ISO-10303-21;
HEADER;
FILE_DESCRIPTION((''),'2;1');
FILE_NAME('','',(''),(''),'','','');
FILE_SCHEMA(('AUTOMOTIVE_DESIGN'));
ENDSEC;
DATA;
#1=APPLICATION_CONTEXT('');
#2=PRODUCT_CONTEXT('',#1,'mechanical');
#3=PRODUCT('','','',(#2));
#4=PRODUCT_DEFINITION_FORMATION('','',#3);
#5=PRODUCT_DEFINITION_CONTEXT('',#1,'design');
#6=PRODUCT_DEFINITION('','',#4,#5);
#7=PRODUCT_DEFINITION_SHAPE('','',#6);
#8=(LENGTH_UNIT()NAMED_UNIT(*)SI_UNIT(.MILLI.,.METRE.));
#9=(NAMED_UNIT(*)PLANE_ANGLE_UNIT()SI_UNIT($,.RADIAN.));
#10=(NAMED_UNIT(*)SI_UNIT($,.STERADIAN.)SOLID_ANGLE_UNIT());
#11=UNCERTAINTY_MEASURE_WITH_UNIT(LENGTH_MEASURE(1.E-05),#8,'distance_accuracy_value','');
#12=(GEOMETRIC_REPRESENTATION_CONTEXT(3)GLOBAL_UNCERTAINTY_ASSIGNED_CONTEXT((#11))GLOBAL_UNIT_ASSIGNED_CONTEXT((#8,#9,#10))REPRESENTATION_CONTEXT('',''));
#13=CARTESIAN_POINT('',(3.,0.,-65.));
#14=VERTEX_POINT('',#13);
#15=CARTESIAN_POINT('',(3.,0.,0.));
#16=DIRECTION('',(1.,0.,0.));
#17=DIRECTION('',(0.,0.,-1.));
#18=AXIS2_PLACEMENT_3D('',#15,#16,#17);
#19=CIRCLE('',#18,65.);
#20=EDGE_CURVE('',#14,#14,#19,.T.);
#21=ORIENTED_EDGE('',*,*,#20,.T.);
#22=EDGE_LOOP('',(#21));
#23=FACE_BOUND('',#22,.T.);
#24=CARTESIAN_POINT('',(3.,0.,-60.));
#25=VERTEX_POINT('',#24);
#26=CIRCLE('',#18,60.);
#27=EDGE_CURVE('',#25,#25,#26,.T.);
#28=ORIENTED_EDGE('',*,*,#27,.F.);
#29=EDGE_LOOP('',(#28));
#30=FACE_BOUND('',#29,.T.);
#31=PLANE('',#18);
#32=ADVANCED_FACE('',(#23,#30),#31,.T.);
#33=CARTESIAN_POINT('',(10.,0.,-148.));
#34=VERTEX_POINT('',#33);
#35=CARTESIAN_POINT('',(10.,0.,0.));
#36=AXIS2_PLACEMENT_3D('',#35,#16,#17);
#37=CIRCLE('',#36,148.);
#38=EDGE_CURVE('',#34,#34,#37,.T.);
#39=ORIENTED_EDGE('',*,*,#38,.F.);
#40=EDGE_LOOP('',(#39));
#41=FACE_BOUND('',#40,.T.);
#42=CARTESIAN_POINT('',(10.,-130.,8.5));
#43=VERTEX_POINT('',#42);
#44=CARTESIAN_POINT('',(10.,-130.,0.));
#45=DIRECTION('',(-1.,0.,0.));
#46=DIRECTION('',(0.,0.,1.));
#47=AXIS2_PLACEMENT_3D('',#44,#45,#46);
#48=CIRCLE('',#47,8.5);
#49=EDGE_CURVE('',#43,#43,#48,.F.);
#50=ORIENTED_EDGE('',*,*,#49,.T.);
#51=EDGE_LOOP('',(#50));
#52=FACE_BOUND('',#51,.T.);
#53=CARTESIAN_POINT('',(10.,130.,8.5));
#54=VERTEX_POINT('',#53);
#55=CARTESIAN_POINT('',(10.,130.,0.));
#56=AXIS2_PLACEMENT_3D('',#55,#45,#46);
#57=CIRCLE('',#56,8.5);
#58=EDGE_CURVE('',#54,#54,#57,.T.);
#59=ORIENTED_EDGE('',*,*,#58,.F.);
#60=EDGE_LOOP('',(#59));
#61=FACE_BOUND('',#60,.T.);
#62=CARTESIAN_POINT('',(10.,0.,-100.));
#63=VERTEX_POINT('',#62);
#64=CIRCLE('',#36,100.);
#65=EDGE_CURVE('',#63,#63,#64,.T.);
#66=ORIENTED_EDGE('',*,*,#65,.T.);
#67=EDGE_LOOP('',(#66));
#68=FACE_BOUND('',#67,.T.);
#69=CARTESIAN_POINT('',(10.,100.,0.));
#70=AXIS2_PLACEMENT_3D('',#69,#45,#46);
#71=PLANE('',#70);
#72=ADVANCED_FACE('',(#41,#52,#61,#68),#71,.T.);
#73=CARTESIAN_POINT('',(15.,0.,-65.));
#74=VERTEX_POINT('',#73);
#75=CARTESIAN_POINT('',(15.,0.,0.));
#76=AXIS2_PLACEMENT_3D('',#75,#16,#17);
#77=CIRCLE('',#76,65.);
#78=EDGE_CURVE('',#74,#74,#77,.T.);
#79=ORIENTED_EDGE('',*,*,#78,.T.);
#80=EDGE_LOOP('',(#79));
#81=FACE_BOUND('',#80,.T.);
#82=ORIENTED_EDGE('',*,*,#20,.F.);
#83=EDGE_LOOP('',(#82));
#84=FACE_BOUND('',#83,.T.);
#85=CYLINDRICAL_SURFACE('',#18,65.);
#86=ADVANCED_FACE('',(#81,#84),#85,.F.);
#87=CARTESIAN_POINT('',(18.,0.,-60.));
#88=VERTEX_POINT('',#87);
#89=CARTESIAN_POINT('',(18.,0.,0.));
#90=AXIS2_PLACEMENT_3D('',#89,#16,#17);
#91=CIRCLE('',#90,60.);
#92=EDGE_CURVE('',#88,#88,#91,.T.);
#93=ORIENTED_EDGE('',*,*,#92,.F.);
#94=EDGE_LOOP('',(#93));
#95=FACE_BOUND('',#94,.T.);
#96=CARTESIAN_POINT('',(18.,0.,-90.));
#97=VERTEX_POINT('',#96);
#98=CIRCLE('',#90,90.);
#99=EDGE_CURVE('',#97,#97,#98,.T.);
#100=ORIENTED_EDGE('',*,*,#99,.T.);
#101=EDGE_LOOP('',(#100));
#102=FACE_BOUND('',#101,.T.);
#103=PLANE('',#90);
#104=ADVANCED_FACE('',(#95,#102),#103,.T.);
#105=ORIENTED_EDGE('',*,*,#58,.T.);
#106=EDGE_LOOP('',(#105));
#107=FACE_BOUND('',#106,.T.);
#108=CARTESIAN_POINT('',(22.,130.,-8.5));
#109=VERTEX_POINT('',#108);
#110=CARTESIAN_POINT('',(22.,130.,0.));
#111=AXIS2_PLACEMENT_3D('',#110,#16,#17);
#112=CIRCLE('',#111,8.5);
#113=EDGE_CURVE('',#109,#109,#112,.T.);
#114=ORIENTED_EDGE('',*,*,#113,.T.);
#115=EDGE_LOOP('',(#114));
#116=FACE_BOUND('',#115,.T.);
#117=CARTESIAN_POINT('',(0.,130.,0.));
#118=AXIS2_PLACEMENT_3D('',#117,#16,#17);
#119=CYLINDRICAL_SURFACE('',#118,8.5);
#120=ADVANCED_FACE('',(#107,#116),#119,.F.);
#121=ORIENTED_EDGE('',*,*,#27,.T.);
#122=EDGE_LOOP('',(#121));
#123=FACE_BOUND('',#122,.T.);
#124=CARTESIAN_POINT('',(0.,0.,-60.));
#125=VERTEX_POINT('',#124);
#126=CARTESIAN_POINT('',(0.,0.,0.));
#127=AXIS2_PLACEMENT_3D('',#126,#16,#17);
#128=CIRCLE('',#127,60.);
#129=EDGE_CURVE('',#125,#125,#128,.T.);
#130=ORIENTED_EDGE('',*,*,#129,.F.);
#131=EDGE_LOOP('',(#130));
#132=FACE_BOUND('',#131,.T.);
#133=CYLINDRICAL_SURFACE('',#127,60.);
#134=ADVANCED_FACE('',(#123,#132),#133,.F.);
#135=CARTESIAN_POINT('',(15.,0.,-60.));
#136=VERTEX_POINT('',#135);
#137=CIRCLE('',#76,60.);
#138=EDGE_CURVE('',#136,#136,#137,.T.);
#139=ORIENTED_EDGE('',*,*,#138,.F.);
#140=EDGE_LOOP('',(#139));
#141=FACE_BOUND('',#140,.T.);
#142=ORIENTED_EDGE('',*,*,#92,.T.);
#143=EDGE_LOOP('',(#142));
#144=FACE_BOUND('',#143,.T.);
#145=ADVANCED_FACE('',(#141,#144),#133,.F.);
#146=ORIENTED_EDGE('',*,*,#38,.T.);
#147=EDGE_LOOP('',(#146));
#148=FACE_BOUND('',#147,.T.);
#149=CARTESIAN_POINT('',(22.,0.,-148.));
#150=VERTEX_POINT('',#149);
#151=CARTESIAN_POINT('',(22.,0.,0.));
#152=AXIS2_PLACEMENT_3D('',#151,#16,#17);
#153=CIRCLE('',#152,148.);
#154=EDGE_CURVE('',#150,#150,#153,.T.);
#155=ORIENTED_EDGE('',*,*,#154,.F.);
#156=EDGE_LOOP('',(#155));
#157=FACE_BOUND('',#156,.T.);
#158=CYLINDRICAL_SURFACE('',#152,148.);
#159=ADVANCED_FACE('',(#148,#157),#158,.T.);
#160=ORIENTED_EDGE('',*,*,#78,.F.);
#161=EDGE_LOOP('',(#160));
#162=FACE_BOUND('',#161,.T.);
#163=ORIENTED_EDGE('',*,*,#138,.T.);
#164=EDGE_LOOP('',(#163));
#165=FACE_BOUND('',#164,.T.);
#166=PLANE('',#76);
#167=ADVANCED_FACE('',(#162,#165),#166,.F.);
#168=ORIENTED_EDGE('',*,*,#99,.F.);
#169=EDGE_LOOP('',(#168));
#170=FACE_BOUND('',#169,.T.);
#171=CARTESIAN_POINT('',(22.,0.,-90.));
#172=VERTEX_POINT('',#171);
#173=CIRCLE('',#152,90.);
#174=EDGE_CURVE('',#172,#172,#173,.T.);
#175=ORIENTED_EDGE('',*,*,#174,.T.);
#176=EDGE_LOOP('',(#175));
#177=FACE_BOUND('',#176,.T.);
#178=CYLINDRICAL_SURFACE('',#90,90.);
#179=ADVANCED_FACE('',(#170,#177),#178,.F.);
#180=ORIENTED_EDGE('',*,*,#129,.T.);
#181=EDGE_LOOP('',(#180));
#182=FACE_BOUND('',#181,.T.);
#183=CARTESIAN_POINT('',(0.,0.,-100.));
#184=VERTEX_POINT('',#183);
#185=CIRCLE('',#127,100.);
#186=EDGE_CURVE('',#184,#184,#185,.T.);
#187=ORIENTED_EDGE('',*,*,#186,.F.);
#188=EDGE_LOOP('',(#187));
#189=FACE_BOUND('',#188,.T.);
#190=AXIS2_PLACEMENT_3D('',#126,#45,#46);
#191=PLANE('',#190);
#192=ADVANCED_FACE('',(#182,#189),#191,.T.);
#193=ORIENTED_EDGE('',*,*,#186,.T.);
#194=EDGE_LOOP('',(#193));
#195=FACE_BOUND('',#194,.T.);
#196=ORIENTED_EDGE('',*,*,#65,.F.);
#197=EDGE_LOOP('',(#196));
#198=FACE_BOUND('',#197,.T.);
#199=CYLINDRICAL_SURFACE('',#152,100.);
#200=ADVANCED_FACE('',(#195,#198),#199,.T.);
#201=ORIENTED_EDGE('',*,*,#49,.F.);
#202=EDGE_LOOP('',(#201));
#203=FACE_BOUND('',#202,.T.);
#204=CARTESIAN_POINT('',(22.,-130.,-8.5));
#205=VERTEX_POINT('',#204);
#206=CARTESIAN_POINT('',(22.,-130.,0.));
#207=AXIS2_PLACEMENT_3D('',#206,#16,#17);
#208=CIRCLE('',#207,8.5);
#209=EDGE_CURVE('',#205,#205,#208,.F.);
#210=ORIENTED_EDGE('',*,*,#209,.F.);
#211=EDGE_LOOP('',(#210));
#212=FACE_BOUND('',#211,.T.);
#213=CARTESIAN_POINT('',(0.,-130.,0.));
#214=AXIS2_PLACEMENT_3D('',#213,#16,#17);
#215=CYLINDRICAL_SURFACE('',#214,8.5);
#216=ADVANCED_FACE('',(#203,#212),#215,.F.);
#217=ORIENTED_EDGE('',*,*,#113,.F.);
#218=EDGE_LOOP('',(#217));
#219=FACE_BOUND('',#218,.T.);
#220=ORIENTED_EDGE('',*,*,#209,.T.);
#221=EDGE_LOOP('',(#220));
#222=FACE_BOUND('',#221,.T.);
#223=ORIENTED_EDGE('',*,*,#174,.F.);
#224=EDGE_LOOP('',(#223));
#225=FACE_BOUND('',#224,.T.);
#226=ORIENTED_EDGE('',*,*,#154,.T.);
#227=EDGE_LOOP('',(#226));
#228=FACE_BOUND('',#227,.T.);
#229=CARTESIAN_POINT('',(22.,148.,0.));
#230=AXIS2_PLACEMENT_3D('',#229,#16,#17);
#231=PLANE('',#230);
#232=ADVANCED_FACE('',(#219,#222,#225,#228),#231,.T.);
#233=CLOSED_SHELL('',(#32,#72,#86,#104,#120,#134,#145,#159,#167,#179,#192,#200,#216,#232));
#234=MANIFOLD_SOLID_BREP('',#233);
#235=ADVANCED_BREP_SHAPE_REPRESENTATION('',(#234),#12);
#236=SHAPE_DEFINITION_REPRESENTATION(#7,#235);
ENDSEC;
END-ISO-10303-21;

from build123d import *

# Parameters (mm, degrees)
ENL_V_MAT_EXTRU_1_DEPTH      = 211.456646367
ENL_V_MAT_EXTRU_1_DEPTH_BACK = 211.456646367
ESQUISSE2_R                  = 8.5
ESQUISSE3_R                  = 90
ENL_V_MAT_EXTRU_2_DEPTH      = 4
ENL_V_START                  = -3
ESQUISSE6_R                  = 65
ENL_V_MAT_EXTRU_5_DEPTH      = 12
ENL_V_MAT_EXTRU_6_DEPTH      = 211.456646367
ENL_V_MAT_EXTRU_6_DEPTH_BACK = 211.456646367
ESQUISSE7_R                  = 60


with BuildPart() as part:
    # Esquisse1 → Révolution1 (revolve)
    with BuildSketch(Plane.XY, mode=Mode.PRIVATE) as r_volution1_sk:
        Polygon((22, 0), (0, 0), (0, 100), (10, 100), (10, 148), (22, 148), align=None)
    revolve(r_volution1_sk.sketch.rotate(Axis((22, 0, 0), (-1, 0, 0)), 90), axis=Axis((22, 0, 0), (-1, 0, 0)))

    # Esquisse2 → Enlèv. mat.-Extru.1 (cut, two sides: drawn at the far end of the back side and taken through both)
    with BuildSketch(Plane(origin=(22, 0, 0), x_dir=(0, 0, -1), z_dir=(1, 0, 0)).offset(-ENL_V_MAT_EXTRU_1_DEPTH_BACK)):
        with Locations((0, 130)):
            Circle(ESQUISSE2_R)
        with Locations((0, -130)):
            Circle(ESQUISSE2_R)
    extrude(amount=ENL_V_MAT_EXTRU_1_DEPTH + ENL_V_MAT_EXTRU_1_DEPTH_BACK, mode=Mode.SUBTRACT)

    # Esquisse3 → Enlèv. mat.-Extru.2 (cut)
    with BuildSketch(Plane(origin=(22, 0, 0), x_dir=(0, 0, -1), z_dir=(1, 0, 0))):
        Circle(ESQUISSE3_R)
    extrude(amount=-ENL_V_MAT_EXTRU_2_DEPTH, mode=Mode.SUBTRACT)

    # Esquisse6 → Enlèv. mat.-Extru.5 (cut)
    with BuildSketch(Plane(origin=(18, 0, 0), x_dir=(0, 0, -1), z_dir=(1, 0, 0)).offset(ENL_V_START)):
        Circle(ESQUISSE6_R)
    extrude(amount=-ENL_V_MAT_EXTRU_5_DEPTH, mode=Mode.SUBTRACT)

    # Esquisse7 → Enlèv. mat.-Extru.6 (cut, two sides: drawn at the far end of the back side and taken through both)
    with BuildSketch(Plane(origin=(22, 0, 0), x_dir=(0, 0, -1), z_dir=(1, 0, 0)).offset(-ENL_V_MAT_EXTRU_6_DEPTH_BACK)):
        Circle(ESQUISSE7_R)
    extrude(amount=ENL_V_MAT_EXTRU_6_DEPTH + ENL_V_MAT_EXTRU_6_DEPTH_BACK, mode=Mode.SUBTRACT)


solid = part.part
